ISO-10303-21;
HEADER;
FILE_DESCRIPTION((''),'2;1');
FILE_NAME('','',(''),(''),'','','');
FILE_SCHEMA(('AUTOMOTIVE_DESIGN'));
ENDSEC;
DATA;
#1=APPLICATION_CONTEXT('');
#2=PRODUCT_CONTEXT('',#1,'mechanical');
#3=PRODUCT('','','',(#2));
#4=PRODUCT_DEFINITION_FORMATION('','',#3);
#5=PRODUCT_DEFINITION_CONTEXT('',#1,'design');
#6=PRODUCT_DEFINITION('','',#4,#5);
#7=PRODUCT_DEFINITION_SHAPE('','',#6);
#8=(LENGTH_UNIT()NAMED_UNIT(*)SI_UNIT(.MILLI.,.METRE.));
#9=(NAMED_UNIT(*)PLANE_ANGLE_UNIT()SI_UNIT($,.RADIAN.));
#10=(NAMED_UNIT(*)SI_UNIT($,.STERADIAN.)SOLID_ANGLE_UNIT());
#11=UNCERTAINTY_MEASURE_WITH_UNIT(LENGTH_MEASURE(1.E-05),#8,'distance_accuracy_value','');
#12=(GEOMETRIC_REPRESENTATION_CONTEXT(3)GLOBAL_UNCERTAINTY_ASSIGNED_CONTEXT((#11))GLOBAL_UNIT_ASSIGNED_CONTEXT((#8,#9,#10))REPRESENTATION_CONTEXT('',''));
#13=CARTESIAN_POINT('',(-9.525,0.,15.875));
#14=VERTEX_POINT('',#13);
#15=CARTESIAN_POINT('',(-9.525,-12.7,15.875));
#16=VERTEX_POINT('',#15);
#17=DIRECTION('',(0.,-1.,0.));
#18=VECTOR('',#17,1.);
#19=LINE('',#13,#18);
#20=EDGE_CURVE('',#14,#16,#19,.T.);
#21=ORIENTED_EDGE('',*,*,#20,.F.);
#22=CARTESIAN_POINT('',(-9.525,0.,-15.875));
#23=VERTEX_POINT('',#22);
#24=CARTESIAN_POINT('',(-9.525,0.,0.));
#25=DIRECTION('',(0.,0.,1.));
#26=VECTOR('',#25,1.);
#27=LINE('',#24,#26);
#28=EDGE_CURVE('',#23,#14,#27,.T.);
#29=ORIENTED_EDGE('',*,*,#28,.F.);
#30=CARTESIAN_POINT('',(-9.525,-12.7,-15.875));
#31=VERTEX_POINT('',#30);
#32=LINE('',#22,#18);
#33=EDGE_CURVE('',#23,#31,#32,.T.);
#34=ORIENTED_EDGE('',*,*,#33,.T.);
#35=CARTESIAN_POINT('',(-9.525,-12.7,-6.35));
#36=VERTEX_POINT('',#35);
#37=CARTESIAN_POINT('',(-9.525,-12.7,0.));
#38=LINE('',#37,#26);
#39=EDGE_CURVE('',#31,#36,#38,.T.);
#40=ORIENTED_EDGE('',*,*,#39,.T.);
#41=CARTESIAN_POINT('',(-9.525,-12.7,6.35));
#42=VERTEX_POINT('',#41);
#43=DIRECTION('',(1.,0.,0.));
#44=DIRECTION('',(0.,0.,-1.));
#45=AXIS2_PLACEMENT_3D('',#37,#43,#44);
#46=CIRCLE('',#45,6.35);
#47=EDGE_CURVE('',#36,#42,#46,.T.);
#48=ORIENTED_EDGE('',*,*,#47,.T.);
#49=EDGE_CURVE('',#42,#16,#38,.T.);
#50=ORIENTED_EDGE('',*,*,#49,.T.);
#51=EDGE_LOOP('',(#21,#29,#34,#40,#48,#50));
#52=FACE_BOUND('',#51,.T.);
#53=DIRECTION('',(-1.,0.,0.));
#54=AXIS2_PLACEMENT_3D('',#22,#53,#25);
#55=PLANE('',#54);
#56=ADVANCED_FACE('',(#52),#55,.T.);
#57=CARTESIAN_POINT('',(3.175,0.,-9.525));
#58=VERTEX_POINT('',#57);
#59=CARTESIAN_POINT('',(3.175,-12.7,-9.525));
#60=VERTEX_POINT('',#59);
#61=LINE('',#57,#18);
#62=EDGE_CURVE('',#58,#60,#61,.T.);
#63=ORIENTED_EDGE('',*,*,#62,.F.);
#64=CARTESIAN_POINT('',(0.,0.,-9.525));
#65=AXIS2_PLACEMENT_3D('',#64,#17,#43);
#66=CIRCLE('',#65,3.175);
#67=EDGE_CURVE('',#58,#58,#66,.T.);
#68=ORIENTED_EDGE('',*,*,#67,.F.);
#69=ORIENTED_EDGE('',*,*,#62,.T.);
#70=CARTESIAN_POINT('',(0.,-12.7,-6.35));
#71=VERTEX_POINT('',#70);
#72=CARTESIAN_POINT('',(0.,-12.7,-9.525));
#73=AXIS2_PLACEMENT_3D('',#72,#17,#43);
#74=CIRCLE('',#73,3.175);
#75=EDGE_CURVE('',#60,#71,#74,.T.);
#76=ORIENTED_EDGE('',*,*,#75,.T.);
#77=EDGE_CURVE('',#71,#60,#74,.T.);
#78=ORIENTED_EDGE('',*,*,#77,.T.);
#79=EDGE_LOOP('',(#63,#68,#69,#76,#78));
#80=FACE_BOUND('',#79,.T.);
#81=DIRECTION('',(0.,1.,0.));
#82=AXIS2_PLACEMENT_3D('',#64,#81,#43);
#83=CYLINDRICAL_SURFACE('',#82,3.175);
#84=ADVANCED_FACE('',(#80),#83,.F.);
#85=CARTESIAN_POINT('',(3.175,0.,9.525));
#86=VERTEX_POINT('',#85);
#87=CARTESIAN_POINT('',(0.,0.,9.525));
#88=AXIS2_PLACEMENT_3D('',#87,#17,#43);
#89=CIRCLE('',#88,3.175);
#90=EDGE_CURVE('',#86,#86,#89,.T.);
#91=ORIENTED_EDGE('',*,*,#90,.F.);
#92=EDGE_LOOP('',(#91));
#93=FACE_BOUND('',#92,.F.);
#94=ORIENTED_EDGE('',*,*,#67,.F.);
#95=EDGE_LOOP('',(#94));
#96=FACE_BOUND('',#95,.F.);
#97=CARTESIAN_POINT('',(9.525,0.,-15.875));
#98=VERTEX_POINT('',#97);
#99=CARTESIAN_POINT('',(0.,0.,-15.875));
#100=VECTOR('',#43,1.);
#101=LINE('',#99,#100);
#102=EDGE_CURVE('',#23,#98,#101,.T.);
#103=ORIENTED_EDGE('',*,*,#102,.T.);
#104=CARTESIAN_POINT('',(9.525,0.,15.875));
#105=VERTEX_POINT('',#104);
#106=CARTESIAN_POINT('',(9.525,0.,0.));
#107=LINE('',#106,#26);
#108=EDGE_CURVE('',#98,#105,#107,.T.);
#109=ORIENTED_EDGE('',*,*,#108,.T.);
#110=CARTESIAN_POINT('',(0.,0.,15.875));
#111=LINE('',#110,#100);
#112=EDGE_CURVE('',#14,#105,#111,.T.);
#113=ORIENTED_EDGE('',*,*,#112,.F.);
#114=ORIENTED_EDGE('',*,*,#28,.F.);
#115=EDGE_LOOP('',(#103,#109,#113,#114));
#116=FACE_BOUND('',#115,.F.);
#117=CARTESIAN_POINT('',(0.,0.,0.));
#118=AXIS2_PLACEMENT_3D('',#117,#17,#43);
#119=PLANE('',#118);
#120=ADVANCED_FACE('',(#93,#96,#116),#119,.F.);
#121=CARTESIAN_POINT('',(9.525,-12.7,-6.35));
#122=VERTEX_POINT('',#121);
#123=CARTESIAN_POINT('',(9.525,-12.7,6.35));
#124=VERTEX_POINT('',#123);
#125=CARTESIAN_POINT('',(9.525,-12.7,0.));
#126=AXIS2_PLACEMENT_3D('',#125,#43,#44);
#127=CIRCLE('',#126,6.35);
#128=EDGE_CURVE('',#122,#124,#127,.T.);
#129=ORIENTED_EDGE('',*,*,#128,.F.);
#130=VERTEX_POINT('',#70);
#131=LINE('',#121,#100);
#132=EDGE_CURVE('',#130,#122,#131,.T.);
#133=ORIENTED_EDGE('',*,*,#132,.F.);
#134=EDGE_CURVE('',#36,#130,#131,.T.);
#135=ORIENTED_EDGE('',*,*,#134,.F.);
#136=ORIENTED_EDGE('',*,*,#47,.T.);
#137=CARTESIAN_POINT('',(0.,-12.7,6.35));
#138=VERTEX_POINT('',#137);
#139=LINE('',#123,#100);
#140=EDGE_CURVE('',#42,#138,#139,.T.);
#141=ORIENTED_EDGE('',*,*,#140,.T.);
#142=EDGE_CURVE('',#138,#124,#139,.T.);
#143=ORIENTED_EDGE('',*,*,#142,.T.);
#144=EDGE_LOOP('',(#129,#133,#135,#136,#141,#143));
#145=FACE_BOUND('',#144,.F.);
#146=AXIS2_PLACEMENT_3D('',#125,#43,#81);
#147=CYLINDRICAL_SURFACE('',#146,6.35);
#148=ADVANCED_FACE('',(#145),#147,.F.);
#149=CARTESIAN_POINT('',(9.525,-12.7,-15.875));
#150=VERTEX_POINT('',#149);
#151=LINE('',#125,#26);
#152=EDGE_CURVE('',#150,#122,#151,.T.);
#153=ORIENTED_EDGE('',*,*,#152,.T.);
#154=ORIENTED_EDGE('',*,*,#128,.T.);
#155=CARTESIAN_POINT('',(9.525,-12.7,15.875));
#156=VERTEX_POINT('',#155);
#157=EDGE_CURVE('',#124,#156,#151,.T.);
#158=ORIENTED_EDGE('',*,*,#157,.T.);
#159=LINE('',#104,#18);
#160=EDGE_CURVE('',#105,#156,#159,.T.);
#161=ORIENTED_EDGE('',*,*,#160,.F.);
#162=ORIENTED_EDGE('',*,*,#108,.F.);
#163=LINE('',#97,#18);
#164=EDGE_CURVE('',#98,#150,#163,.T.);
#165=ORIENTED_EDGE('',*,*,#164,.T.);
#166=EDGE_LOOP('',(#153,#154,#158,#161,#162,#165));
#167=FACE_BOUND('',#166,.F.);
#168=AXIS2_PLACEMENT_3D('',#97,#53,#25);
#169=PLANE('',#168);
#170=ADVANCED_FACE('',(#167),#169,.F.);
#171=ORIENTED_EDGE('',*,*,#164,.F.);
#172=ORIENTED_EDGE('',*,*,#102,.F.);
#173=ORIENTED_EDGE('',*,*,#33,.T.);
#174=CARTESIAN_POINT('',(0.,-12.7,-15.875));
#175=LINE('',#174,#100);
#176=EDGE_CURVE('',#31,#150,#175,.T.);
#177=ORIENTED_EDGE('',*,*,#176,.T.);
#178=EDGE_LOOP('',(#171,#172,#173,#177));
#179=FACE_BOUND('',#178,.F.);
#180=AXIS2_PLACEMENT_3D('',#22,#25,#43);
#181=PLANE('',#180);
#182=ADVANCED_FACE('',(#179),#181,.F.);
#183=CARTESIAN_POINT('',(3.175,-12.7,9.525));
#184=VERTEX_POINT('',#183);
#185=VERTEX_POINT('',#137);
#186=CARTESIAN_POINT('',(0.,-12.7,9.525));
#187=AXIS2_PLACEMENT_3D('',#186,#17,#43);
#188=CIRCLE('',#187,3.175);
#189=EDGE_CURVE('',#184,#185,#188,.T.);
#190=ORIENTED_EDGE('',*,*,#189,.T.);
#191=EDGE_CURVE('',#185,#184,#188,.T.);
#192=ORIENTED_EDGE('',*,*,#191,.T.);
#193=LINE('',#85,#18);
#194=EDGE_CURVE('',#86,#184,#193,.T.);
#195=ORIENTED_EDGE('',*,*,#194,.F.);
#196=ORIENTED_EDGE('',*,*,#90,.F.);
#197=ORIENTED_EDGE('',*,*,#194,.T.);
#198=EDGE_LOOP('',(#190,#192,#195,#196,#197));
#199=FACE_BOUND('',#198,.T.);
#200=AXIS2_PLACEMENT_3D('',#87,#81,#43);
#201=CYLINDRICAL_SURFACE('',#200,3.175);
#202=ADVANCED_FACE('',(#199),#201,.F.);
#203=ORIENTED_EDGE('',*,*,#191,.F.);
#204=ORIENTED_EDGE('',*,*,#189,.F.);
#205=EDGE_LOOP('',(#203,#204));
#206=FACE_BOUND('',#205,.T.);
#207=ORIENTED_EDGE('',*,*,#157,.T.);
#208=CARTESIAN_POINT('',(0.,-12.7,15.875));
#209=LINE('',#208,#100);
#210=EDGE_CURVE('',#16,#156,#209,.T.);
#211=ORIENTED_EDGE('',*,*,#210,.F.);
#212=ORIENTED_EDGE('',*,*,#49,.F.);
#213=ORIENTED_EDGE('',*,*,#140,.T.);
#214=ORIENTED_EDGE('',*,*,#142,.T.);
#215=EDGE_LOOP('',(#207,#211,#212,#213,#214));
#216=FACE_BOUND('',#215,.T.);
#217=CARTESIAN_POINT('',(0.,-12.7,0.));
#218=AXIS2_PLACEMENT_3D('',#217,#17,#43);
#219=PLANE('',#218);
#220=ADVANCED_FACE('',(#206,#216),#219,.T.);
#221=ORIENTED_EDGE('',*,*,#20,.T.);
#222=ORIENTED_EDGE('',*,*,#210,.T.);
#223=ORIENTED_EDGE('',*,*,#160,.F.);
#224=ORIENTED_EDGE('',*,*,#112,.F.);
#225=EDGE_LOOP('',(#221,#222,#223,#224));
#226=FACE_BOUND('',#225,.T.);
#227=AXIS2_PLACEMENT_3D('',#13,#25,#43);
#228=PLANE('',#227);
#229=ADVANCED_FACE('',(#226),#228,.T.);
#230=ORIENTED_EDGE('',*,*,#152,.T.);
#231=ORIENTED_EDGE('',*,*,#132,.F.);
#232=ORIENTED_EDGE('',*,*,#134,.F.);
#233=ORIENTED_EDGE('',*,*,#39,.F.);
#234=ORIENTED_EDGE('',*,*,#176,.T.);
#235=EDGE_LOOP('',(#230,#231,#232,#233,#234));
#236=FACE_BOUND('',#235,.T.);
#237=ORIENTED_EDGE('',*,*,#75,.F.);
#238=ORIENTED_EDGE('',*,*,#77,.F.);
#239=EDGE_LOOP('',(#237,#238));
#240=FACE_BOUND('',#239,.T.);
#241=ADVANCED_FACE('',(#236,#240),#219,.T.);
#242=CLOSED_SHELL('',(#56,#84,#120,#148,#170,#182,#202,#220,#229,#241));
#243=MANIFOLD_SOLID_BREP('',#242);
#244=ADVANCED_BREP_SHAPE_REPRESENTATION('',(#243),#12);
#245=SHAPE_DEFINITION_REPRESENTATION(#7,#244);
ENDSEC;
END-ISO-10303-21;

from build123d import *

# Parameters (mm, degrees)
F0_W     = 19.05
F0_H     = 31.75
F0_R     = 3.175
F1_DEPTH = 12.7
F2_R     = 6.35
F3_DEPTH = 19.051


with BuildPart() as f1:
    # F0 (on Front) → F1 (new body)
    with BuildSketch(Plane.XZ):
        Rectangle(F0_W, F0_H)
        with Locations((0, -9.525)):
            Circle(F0_R, mode=Mode.SUBTRACT)
        with Locations((0, 9.525)):
            Circle(F0_R, mode=Mode.SUBTRACT)
    extrude(amount=F1_DEPTH)

    # F2 (on face) → F3 (cut, through all)
    with BuildSketch(Plane.YZ.offset(9.525)):
        with Locations((-12.7, 0)):
            Circle(F2_R)
    extrude(amount=-F3_DEPTH, mode=Mode.SUBTRACT)


solid = f1.part
